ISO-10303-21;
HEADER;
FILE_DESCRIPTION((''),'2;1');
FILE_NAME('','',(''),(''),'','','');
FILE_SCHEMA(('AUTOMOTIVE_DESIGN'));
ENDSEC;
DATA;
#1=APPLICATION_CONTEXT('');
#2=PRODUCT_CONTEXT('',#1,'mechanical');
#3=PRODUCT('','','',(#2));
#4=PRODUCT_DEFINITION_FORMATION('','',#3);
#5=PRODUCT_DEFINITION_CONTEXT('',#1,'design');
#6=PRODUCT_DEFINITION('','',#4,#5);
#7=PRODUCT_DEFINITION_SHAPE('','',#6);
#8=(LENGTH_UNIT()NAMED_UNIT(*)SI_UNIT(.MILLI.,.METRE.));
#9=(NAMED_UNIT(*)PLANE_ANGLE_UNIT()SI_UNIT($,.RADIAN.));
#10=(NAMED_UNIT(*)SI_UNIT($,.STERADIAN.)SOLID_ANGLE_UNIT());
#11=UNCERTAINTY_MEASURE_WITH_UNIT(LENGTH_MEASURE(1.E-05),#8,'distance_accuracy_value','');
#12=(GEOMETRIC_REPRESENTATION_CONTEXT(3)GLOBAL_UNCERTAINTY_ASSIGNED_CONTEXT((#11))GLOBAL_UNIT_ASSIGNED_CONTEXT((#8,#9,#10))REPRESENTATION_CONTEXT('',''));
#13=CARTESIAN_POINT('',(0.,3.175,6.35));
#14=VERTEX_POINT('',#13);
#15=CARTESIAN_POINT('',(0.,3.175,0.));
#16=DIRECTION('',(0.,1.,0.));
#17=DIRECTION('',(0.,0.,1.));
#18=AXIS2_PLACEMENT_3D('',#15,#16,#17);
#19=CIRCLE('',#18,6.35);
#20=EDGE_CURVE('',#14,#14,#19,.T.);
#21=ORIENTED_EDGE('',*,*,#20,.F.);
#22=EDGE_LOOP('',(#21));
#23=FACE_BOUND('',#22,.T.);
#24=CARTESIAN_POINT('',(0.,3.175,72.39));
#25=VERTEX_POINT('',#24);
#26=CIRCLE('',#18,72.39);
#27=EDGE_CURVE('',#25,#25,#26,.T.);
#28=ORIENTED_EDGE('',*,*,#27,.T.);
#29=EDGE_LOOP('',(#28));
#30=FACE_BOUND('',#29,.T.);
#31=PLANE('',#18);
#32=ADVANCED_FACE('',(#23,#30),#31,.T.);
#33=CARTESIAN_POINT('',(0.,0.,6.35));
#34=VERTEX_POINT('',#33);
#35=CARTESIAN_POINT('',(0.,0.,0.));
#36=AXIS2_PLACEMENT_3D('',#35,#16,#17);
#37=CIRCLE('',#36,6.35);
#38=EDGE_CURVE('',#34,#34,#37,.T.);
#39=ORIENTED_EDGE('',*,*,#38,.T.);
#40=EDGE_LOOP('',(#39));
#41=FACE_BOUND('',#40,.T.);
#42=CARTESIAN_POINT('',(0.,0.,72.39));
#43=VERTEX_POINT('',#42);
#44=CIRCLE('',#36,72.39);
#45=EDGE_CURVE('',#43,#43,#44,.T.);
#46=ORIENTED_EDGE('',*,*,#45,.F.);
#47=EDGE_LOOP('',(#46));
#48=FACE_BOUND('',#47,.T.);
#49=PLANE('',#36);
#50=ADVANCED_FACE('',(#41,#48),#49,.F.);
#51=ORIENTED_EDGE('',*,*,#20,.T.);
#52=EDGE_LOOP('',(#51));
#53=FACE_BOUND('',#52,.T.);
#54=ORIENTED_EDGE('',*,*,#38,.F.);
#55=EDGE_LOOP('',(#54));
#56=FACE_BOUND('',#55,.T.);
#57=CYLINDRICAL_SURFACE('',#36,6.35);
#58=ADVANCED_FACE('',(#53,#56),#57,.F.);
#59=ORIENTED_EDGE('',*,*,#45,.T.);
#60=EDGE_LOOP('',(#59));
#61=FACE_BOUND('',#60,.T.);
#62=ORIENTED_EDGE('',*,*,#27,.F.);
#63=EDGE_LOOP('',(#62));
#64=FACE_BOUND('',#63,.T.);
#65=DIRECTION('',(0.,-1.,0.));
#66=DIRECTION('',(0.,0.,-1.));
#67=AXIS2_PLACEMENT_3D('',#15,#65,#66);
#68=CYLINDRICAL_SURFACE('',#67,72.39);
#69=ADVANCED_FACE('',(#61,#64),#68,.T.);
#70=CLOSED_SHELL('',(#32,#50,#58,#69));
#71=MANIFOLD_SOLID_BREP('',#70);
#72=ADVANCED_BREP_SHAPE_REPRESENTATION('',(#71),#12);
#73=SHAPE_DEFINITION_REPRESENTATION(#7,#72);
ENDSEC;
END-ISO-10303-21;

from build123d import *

# Parameters (mm, degrees)
SKETCH1_R           = 72.39
BOSS_EXTRUDE1_DEPTH = 3.175
SKETCH2_R           = 6.35
CUT_EXTRUDE1_DEPTH  = 4.175


with BuildPart() as part:
    # Sketch1 → Boss-Extrude1 (new body)
    with BuildSketch(Plane(origin=(0, 0, 0), x_dir=(1, 0, 0), z_dir=(0, 1, 0))):
        Circle(SKETCH1_R)
    extrude(amount=BOSS_EXTRUDE1_DEPTH)

    # Sketch2 → Cut-Extrude1 (cut, through all)
    with BuildSketch(Plane(origin=(0, 3.175, 0), x_dir=(1, 0, 0), z_dir=(0, 1, 0))):
        Circle(SKETCH2_R)
    extrude(amount=-CUT_EXTRUDE1_DEPTH, mode=Mode.SUBTRACT)


solid = part.part
